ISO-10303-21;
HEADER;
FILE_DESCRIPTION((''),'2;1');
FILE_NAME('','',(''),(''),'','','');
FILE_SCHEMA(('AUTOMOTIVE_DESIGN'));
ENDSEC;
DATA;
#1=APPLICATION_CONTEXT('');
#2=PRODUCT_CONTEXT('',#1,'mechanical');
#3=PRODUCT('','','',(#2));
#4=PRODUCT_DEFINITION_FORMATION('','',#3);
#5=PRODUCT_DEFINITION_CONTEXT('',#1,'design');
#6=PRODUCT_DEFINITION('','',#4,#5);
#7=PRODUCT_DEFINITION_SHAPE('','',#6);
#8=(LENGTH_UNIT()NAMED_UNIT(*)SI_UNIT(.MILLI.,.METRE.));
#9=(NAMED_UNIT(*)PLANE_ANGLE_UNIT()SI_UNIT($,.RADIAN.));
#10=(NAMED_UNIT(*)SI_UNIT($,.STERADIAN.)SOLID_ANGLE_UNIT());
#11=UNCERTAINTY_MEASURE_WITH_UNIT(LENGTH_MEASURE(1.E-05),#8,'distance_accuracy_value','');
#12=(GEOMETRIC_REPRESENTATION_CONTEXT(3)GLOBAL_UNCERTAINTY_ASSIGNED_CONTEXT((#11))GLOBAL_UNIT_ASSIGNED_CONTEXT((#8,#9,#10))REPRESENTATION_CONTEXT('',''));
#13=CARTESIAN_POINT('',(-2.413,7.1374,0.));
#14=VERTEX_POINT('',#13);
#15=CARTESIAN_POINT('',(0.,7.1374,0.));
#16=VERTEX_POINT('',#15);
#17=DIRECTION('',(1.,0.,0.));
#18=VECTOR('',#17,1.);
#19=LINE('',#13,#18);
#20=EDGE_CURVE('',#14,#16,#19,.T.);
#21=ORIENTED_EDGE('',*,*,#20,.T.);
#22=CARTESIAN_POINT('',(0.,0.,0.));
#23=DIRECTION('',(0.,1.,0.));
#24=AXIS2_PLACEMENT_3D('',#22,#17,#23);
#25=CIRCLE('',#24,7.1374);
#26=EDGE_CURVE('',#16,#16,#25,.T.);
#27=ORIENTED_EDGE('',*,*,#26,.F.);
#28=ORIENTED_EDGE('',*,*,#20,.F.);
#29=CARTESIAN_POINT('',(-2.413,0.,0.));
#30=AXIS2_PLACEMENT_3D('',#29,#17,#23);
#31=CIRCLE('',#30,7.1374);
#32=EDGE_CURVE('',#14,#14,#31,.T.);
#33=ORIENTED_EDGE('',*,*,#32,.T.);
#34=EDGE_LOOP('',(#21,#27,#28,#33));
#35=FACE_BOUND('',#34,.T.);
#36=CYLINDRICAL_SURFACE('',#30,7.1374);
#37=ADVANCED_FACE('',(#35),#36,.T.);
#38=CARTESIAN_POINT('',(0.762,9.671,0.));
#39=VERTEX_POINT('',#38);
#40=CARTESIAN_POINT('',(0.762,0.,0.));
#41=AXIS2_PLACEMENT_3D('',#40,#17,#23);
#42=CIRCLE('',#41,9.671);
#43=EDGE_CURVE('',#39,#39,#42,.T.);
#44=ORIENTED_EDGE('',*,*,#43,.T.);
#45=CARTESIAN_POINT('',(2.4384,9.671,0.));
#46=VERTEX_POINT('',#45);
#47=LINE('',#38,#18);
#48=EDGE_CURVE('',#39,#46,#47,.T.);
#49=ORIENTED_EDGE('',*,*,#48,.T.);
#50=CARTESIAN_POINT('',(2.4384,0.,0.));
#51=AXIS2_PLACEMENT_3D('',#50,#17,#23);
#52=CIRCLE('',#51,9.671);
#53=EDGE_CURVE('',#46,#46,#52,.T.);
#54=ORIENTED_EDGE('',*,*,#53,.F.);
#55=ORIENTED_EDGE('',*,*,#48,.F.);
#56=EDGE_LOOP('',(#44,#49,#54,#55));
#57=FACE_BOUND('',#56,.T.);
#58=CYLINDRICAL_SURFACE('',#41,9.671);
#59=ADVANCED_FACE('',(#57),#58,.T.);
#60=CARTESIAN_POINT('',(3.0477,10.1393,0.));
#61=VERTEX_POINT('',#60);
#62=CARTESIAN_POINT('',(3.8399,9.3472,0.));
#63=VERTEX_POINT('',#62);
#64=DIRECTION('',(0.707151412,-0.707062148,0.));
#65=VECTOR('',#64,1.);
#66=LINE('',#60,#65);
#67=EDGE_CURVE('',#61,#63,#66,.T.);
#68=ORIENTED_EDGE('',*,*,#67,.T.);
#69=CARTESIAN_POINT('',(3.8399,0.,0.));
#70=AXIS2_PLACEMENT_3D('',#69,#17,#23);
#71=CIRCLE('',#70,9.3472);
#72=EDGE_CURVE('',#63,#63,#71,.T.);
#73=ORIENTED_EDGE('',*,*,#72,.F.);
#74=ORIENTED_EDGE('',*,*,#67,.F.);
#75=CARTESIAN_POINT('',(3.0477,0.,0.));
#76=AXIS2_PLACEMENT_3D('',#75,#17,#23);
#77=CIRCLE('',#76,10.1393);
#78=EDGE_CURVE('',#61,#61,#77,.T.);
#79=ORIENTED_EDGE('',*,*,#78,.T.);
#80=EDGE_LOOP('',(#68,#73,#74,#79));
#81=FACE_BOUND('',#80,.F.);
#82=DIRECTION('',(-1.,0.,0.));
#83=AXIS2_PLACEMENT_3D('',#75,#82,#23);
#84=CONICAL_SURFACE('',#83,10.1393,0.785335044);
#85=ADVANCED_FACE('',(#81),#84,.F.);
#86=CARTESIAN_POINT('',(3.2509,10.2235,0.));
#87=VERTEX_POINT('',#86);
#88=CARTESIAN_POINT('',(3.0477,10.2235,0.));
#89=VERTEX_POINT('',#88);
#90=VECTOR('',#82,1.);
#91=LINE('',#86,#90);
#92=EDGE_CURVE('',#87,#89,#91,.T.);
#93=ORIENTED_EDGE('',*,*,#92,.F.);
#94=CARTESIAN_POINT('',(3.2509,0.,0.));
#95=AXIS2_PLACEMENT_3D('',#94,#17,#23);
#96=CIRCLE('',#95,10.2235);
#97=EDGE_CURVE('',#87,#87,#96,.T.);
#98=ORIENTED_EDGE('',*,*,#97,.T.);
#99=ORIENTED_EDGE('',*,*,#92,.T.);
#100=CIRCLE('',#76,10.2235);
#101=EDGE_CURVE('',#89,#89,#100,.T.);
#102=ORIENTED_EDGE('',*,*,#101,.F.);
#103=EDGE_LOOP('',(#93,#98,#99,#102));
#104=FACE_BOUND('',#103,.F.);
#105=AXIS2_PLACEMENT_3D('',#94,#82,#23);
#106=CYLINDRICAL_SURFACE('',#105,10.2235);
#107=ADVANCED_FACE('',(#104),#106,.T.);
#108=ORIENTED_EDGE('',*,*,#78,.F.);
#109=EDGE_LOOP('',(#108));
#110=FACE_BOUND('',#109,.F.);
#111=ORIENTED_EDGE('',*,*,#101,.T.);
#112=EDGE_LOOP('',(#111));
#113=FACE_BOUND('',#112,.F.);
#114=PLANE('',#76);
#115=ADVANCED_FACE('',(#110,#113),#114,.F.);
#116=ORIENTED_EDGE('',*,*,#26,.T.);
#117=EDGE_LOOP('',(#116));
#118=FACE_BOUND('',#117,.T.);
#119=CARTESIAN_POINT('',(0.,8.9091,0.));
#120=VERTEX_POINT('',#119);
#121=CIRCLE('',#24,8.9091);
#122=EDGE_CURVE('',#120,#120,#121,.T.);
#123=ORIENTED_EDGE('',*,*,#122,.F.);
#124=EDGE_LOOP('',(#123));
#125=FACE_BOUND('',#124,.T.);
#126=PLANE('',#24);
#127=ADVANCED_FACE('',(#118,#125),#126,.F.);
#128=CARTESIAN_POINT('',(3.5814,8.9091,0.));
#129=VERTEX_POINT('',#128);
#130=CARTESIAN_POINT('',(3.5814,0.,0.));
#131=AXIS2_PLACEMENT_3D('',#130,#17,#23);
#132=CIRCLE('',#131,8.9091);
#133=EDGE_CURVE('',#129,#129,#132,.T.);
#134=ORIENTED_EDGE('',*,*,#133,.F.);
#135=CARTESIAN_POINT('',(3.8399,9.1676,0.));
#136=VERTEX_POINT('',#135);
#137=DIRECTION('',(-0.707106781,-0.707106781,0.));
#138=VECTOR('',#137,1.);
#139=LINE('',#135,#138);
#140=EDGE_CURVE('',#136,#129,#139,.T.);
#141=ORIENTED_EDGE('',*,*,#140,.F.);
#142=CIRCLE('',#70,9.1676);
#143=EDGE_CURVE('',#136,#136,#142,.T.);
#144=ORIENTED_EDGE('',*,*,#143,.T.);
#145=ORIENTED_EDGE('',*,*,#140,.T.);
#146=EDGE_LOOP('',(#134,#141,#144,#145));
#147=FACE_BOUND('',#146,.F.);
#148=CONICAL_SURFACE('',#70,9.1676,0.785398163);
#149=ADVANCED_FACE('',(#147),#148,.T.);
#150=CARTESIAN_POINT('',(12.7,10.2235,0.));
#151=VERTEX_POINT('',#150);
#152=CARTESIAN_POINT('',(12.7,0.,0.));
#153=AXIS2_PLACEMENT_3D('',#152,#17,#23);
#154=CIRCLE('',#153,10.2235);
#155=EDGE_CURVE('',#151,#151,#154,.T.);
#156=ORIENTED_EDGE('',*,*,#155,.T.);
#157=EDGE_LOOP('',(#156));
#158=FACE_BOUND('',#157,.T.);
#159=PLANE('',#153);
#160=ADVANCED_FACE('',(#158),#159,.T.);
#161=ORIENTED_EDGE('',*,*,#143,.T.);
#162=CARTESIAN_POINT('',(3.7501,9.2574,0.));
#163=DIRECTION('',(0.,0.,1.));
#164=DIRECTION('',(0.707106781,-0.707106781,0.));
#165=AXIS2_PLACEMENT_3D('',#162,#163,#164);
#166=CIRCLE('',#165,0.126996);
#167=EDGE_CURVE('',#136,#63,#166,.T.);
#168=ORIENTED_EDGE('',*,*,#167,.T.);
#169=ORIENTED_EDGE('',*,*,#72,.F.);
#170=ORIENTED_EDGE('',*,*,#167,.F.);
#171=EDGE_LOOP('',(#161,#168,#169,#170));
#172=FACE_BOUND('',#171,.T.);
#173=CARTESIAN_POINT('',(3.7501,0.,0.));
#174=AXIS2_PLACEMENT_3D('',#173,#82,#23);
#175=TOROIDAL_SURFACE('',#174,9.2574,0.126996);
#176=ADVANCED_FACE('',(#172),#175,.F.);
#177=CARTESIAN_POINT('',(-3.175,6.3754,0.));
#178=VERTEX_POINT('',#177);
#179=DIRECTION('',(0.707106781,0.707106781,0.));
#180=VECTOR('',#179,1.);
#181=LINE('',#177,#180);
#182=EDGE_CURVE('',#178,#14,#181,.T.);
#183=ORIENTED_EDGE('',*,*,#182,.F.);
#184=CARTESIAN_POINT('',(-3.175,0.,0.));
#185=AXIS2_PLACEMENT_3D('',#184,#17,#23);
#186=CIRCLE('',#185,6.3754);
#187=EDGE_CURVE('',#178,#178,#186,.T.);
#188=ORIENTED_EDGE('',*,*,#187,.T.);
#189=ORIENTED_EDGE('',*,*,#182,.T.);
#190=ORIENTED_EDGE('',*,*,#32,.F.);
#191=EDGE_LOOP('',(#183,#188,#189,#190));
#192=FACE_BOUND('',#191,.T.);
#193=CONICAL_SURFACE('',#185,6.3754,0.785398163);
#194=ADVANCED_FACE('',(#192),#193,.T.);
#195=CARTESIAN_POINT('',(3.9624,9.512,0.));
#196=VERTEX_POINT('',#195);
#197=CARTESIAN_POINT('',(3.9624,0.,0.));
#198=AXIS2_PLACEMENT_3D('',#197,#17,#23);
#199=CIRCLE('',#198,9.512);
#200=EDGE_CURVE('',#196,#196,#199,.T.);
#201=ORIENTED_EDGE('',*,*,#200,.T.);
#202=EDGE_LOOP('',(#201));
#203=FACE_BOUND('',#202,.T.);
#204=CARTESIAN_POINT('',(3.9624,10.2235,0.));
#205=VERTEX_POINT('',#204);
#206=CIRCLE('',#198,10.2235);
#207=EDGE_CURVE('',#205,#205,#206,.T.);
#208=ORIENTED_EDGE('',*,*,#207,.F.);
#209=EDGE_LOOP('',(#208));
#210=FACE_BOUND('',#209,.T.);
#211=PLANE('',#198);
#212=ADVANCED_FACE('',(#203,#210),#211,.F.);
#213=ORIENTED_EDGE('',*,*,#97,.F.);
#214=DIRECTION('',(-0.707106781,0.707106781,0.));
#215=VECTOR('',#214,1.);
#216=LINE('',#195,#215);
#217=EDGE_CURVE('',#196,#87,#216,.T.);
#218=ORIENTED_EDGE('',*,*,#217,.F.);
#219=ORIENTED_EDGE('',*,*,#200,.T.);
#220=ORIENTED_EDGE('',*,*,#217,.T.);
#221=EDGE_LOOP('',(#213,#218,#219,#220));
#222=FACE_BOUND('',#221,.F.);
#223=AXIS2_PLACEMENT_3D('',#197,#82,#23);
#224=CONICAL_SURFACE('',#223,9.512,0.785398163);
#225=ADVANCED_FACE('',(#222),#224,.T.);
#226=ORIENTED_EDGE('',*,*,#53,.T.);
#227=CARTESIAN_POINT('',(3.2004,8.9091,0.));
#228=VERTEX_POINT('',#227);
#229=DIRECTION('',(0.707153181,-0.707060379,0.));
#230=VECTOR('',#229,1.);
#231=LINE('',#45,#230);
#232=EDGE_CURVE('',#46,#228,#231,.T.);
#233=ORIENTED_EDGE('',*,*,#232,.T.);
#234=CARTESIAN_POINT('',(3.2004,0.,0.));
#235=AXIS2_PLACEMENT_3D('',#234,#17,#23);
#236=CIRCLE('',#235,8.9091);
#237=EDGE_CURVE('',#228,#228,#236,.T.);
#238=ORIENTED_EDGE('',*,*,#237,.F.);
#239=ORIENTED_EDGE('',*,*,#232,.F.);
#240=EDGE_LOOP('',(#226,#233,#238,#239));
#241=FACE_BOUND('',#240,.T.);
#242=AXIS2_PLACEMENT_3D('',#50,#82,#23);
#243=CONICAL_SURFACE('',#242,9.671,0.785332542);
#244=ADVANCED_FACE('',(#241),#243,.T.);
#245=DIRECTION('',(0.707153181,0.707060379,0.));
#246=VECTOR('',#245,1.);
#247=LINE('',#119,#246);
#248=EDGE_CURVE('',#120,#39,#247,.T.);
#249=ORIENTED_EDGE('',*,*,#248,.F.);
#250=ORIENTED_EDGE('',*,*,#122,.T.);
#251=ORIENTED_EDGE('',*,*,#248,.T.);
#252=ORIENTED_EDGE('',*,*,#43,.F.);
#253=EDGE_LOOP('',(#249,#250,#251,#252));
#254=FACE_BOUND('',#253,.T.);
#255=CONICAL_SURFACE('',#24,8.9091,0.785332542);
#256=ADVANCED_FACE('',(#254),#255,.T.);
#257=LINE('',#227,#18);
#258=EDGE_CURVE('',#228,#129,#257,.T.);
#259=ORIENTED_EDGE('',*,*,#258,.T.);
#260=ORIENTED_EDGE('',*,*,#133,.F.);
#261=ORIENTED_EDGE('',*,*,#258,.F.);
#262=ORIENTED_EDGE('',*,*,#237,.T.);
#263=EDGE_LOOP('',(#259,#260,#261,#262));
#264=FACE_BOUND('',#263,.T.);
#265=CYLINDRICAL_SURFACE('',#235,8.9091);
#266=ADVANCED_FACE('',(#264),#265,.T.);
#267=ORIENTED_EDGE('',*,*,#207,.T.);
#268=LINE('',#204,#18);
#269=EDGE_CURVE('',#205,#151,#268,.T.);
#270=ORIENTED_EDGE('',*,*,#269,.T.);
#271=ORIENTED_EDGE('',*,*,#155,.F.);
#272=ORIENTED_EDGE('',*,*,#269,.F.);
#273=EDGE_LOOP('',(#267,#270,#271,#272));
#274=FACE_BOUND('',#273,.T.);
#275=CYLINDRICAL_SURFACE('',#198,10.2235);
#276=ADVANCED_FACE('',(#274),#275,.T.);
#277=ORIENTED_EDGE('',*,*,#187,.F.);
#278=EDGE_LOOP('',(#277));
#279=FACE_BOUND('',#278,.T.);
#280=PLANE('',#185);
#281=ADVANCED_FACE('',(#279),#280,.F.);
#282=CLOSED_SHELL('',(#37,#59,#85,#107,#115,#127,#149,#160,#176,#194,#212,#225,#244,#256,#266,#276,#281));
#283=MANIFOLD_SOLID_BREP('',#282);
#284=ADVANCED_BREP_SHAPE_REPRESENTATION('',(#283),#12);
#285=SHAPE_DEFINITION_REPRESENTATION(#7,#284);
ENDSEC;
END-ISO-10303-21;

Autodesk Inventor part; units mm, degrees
sketch "Sketch_1" plane through (0, 0, 0) normal (0, 0, 1) x (1, 0, 0)
  line L0 (12.7, 0) -> (0, 0)
  line L1 (0, 0) -> (0, 8.9091)
  line L2 (0, 8.9091) -> (0.762, 9.671)
  line L3 (0.762, 9.671) -> (2.4384, 9.671)
  line L4 (2.4384, 9.671) -> (3.2004, 8.9091)
  line L5 (3.2004, 8.9091) -> (3.9624, 8.9091)
  line L6 (3.9624, 8.9091) -> (3.9624, 10.2235)
  line L7 (3.9624, 10.2235) -> (12.7, 10.2235)
  line L8 (12.7, 10.2235) -> (12.7, 0)
  line L9 (12.7, 0) -> (0, 0)
revolve "Revolution1" add sketch "Sketch_1" angle 360 about axis through (12.7, 0, 0) along (1, 0, 0)
sketch "Sketch_24" plane through (0, 0, 0) normal (0, 0, 1) x (1, 0, 0)
  line L0 (3.9624, 0) -> (3.2004, 0)
  line L1 (3.0477, 10.2235) -> (3.0477, 10.1393)
  line L2 (3.0477, 10.1393) -> (3.8399, 9.3472)
  arc A0 (3.8399, 9.1676) -> (3.8399, 9.3472) centre (3.7501, 9.2574) ccw
  line L3 (3.8399, 9.1676) -> (3.5814, 8.9091)
  line L4 (3.5814, 8.9091) -> (3.2004, 8.9091)
  line L5 (3.2004, 8.9091) -> (3.2004, 8.655)
  line L6 (3.2004, 8.655) -> (3.9624, 8.655)
  line L7 (3.9624, 8.655) -> (3.9624, 9.512)
  line L8 (3.9624, 9.512) -> (3.2509, 10.2235)
  line L9 (3.2509, 10.2235) -> (3.0477, 10.2235)
revolve "Revolution2" add sketch "Sketch_24" angle 360 about axis through (3.9624, 0, 0) along (1, 0, 0)
sketch "Sketch_26" plane through (0, 0, 0) normal (0, 0, 1) x (1, 0, 0)
  line L0 (0, 0) -> (-3.175, 0)
  line L1 (-3.175, 0) -> (-3.175, 6.3754)
  line L2 (-3.175, 6.3754) -> (-2.413, 7.1374)
  line L3 (-2.413, 7.1374) -> (0, 7.1374)
  line L4 (0, 7.1374) -> (0, 0)
  line L5 (0, 0) -> (-3.175, 0)
revolve "Revolution3" add sketch "Sketch_26" angle 360 about axis through (0, 0, 0) along (1, 0, 0)
ref_plane "lovra_XY" through (12.7, 0, 0) normal (1, 0, 0) x (0, 1, 0)
ref_plane "lovra_YZ" through (12.7, 0, 0) normal (0, 1, 0) x (0, 0, 1)
ref_plane "lovra_ZX" through (12.7, 0, 0) normal (0, 0, 1) x (1, 0, 0)
ref_plane "lovra1_XY" through (7.9248, 0, 0) normal (1, 0, 0) x (0, 0, -1)
ref_plane "lovra1_YZ" through (7.9248, 0, 0) normal (0, 0, -1) x (0, 1, 0)
ref_plane "lovra1_ZX" through (7.9248, 0, 0) normal (0, 1, 0) x (1, 0, 0)
ref_plane "lovra2_XY" through (7.9248, 7.874, 0) normal (1, 0, 0) x (0, 0, -1)
ref_plane "lovra2_YZ" through (7.9248, 7.874, 0) normal (0, 0, -1) x (0, 1, 0)
ref_plane "lovra2_ZX" through (7.9248, 7.874, 0) normal (0, 1, 0) x (1, 0, 0)
ref_plane "lovra21_XY" through (0, 0, 5.2705) normal (1, 0, 0) x (0, 0, -1)
ref_plane "lovra21_YZ" through (0, 0, 5.2705) normal (0, 0, -1) x (0, 1, 0)
ref_plane "lovra21_ZX" through (0, 0, 5.2705) normal (0, 1, 0) x (1, 0, 0)
ref_plane "lovra22_XY" through (0, 0, -5.2705) normal (1, 0, 0) x (0, 0, -1)
ref_plane "lovra22_YZ" through (0, 0, -5.2705) normal (0, 0, -1) x (0, 1, 0)
ref_plane "lovra22_ZX" through (0, 0, -5.2705) normal (0, 1, 0) x (1, 0, 0)
ref_plane "lovra3_XY" through (7.9248, -7.874, 0) normal (1, 0, 0) x (0, 0, -1)
ref_plane "lovra3_YZ" through (7.9248, -7.874, 0) normal (0, 0, -1) x (0, 1, 0)
ref_plane "lovra3_ZX" through (7.9248, -7.874, 0) normal (0, 1, 0) x (1, 0, 0)
ref_plane "olen_XY" through (12.7, 0, 0) normal (1, 0, 0) x (0, 0, -1)
ref_plane "olen_YZ" through (12.7, 0, 0) normal (0, 0, -1) x (0, 1, 0)
ref_plane "olen_ZX" through (12.7, 0, 0) normal (0, 1, 0) x (1, 0, 0)
ref_plane "to_mounting_bracket_XY" through (23.0124, 0, 0) normal (1, 0, 0) x (0, 0, -1)
ref_plane "to_mounting_bracket_YZ" through (23.0124, 0, 0) normal (0, 0, -1) x (0, 1, 0)
ref_plane "to_mounting_bracket_ZX" through (23.0124, 0, 0) normal (0, 1, 0) x (1, 0, 0)
ref_plane "to_nut_XY" through (0, 0, 0) normal (1, 0, 0) x (0, 0, -1)
ref_plane "to_nut_YZ" through (0, 0, 0) normal (0, 0, -1) x (0, 1, 0)
ref_plane "to_nut_ZX" through (0, 0, 0) normal (0, 1, 0) x (1, 0, 0)
ref_plane "to_pin_XY" through (33.3248, 0, 0) normal (0, 0, 1) x (1, 0, 0)
ref_plane "to_pin_YZ" through (33.3248, 0, 0) normal (1, 0, 0) x (0, 1, 0)
ref_plane "to_pin_ZX" through (33.3248, 0, 0) normal (0, 1, 0) x (0, 0, 1)
ref_plane "to_screw_XY" through (17.4752, 2.032, -6.0452) normal (0, 1, 0) x (1, 0, 0)
ref_plane "to_screw_YZ" through (17.4752, 2.032, -6.0452) normal (1, 0, 0) x (0, 0, -1)
ref_plane "to_screw_ZX" through (17.4752, 2.032, -6.0452) normal (0, 0, -1) x (0, 1, 0)
ref_plane "to_tube_XY" through (3.2004, 0, 0) normal (1, 0, 0) x (0, 0, -1)
ref_plane "to_tube_YZ" through (3.2004, 0, 0) normal (0, 0, -1) x (0, 1, 0)
ref_plane "to_tube_ZX" through (3.2004, 0, 0) normal (0, 1, 0) x (1, 0, 0)
properties part number "04R0000_rear_head"
